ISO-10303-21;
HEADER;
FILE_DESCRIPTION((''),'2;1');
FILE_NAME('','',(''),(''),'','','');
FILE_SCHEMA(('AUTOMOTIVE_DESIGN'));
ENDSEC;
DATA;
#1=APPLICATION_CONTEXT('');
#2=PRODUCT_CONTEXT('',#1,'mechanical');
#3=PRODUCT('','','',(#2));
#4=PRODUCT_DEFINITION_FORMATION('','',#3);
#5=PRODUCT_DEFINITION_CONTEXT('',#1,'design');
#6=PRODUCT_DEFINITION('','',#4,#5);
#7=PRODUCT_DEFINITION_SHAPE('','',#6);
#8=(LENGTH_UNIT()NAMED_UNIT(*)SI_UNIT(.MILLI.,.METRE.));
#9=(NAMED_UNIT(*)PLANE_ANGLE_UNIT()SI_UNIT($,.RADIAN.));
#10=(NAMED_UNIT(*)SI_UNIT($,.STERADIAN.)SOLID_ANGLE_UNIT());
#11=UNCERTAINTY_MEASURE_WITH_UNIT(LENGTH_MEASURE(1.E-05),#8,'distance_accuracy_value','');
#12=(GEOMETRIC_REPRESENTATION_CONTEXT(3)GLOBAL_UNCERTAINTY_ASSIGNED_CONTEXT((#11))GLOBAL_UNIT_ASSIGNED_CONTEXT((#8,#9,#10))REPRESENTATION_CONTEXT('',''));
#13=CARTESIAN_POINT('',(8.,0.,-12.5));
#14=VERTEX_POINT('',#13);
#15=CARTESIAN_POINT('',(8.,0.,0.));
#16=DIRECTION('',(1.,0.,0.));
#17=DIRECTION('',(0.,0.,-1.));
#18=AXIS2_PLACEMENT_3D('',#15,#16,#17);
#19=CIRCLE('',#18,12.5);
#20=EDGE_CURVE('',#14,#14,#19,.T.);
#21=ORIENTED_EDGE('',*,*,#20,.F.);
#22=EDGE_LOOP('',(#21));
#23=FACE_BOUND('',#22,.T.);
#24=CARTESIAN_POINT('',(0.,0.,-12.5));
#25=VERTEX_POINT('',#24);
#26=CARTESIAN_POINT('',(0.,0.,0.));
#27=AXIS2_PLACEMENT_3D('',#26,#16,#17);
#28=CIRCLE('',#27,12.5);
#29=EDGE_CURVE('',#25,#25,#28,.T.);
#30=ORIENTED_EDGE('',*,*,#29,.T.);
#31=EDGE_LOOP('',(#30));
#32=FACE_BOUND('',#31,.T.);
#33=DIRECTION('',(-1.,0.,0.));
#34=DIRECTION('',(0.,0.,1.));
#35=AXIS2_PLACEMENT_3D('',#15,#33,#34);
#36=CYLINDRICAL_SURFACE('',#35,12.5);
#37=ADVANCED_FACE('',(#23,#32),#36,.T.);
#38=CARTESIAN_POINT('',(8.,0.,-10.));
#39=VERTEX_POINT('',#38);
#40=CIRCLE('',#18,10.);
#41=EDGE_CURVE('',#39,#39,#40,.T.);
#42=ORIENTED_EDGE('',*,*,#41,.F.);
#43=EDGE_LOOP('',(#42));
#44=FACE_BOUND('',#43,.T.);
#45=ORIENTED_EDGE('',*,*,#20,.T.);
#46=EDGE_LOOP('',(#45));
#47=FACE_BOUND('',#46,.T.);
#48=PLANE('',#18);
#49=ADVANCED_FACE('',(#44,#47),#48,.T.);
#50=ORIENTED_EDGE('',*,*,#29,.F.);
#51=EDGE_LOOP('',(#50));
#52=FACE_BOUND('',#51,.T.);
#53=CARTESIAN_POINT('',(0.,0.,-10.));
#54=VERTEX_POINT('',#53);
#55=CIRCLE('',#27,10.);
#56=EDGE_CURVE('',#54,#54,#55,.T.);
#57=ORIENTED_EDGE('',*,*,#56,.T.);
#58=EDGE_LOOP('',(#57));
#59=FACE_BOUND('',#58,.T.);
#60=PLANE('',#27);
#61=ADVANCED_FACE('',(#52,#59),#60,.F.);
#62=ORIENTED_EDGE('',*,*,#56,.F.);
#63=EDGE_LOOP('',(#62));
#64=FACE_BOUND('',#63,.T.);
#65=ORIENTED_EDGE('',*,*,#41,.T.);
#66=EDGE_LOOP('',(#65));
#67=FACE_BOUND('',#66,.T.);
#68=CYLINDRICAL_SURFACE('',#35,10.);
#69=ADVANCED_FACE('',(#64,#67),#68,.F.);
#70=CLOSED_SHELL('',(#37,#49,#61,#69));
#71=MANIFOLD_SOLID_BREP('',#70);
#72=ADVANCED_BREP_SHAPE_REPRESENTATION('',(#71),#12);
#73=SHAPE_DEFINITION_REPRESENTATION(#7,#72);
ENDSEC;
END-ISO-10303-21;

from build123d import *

# Parameters (mm, degrees)
SKETCH1_R           = 12.5
SKETCH1_R_2         = 10
BOSS_EXTRUDE1_DEPTH = 8


with BuildPart() as part:
    # Sketch1 → Boss-Extrude1 (new body)
    with BuildSketch(Plane(origin=(0, 0, 0), x_dir=(0, 0, -1), z_dir=(1, 0, 0))):
        Circle(SKETCH1_R)
        Circle(SKETCH1_R_2, mode=Mode.SUBTRACT)
    extrude(amount=BOSS_EXTRUDE1_DEPTH)


solid = part.part
